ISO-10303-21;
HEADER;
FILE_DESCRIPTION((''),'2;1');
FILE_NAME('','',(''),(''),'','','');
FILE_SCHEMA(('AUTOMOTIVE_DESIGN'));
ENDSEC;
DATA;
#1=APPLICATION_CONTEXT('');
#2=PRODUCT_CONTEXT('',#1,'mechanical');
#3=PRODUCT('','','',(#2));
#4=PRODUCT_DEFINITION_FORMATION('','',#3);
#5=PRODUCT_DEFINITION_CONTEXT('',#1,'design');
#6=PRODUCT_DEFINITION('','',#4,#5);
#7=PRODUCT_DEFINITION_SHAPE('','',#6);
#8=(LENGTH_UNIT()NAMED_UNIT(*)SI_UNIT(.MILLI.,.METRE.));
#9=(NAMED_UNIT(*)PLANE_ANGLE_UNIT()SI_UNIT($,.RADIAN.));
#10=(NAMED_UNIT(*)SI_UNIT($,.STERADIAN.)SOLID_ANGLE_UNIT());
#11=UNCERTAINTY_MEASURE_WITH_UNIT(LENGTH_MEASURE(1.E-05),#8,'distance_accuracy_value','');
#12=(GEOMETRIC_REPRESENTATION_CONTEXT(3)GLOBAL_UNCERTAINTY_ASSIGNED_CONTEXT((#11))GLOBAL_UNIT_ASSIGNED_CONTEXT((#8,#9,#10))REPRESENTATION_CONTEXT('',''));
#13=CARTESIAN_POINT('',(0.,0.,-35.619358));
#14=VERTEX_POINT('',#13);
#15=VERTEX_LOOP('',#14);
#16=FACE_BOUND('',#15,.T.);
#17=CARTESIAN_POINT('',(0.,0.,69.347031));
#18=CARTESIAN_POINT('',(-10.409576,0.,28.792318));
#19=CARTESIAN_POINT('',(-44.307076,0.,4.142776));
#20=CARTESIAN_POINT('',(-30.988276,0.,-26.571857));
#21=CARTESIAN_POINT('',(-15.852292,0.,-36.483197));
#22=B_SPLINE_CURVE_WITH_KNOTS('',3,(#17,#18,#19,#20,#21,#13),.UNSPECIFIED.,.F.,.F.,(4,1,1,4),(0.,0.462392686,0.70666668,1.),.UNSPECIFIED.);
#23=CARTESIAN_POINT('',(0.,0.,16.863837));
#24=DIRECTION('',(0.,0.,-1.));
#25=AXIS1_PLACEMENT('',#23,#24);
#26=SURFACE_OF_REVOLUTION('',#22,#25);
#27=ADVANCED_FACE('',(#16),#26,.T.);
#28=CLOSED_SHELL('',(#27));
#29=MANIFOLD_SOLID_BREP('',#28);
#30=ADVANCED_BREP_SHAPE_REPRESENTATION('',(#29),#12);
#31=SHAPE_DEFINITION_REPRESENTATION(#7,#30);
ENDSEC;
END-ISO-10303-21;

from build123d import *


with BuildPart() as f1:
    # F0 (on Front) → F1 (revolve)
    with BuildSketch(Plane.XZ):
        with BuildLine():
            Line((0, -35.6193575537), (0, 69.3470314145))
            add(Edge.make_bspline(
                [(0, 69.3470314145), (-10.4095762379, 28.7923179955), (-44.3070757548, 4.142775599), (-30.9882762483, -26.5718567435), (-15.8522924179, -36.4831974971), (0, -35.6193575537)],
                knots=[0, 0, 0, 0, 0.4623926856, 0.7066666802, 1, 1, 1, 1], degree=3))
        make_face()
    revolve(axis=Axis((0, 0, 16.8638369304), (0, 0, -1)))


solid = f1.part
